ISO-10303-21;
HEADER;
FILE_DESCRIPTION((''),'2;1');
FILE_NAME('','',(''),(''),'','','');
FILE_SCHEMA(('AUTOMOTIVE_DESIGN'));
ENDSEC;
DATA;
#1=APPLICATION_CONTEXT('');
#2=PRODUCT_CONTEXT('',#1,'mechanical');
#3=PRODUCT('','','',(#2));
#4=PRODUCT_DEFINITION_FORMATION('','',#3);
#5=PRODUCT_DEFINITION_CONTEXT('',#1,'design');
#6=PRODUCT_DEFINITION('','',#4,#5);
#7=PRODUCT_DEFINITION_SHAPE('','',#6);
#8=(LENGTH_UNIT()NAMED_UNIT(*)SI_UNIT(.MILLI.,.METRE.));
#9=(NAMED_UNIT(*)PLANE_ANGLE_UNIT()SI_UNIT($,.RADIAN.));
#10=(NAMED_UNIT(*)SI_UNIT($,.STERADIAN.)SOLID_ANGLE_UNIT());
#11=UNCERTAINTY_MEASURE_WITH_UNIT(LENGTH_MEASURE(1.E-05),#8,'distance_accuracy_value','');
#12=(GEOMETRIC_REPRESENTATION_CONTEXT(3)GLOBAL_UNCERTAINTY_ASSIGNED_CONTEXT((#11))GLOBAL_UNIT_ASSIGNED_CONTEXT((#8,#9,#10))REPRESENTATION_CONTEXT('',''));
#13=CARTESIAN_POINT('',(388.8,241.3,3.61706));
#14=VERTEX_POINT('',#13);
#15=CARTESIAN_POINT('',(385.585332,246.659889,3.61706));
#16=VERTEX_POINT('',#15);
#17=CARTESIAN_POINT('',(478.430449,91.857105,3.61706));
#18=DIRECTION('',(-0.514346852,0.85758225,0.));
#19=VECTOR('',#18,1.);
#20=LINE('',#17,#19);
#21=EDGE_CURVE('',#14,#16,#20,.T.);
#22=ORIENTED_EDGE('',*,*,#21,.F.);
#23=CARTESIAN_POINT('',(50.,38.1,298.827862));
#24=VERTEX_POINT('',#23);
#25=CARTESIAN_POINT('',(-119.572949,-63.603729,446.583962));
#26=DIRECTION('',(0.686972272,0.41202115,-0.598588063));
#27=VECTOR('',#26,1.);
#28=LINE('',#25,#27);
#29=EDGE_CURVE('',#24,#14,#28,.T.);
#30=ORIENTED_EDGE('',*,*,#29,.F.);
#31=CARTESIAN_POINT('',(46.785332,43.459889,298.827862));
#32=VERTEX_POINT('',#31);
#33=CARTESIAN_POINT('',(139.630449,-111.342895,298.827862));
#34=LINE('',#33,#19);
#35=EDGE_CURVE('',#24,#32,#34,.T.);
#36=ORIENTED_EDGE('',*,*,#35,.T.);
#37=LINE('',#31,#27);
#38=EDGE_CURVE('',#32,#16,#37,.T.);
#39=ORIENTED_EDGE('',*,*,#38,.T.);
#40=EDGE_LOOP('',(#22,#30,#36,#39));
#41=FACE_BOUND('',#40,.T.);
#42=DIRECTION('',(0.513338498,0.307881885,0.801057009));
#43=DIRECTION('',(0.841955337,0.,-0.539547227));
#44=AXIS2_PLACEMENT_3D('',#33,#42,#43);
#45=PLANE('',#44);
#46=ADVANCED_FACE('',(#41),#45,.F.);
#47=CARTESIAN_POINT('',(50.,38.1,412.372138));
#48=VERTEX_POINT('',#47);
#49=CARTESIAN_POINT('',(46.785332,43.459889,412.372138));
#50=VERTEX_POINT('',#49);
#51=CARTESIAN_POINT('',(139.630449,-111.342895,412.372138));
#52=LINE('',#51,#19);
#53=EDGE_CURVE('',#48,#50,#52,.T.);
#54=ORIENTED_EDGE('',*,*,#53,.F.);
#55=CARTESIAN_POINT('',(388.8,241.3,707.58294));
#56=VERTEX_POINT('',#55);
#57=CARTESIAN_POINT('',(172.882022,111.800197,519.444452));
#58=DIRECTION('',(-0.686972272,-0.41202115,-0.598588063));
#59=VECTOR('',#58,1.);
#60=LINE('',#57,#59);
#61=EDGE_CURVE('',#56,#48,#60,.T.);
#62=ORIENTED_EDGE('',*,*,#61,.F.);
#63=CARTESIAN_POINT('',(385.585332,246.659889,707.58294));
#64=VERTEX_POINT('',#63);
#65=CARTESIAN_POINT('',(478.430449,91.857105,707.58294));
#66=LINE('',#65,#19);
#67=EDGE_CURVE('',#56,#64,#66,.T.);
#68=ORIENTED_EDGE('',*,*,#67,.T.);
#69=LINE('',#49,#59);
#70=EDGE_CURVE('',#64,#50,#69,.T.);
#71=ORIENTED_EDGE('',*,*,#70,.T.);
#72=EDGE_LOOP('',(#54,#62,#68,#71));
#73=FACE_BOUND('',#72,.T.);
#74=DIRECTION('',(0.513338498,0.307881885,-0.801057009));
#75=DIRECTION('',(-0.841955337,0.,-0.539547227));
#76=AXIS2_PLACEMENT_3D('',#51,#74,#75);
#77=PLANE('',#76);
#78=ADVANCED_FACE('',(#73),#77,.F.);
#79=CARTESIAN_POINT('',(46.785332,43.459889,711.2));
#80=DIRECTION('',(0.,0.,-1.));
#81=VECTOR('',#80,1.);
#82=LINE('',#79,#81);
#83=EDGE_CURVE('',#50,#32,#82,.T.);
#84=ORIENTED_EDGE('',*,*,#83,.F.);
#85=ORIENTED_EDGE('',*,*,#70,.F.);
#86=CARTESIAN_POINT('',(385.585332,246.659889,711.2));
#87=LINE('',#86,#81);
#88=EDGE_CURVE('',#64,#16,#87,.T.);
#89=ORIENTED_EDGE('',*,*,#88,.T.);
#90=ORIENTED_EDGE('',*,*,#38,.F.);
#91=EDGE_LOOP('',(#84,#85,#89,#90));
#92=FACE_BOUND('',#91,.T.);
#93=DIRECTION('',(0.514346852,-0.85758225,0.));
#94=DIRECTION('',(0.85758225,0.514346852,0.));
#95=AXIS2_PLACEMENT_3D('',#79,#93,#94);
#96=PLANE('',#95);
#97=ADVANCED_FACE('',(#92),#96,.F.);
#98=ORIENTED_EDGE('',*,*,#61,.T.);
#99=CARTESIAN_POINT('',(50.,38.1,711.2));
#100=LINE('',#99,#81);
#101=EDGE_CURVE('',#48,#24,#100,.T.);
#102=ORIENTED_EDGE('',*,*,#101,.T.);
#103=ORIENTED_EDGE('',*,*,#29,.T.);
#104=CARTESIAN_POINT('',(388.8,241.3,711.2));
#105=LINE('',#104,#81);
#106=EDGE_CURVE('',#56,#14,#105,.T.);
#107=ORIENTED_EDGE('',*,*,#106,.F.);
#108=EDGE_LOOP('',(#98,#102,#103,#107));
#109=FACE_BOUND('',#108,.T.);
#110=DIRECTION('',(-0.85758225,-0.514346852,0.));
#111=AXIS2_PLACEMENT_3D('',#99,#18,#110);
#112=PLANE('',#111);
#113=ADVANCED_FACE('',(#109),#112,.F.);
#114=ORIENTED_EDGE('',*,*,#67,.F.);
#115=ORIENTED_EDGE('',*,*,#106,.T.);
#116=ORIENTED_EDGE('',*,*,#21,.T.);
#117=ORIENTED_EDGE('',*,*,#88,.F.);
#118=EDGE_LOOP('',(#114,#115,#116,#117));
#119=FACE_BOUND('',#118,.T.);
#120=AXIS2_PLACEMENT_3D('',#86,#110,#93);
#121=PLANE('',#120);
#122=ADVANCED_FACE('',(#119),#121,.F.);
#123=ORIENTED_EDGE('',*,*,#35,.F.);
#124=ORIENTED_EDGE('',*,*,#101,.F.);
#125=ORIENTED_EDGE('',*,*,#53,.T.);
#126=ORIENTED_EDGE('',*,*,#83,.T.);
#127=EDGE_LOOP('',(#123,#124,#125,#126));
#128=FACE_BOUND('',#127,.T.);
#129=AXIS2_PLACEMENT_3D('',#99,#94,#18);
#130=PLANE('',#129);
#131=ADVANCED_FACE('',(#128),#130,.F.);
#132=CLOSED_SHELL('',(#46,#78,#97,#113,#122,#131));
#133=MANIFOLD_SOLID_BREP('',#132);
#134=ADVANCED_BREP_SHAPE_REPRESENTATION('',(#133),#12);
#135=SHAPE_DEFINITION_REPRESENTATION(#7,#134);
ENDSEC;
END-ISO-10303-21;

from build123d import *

# Parameters (mm, degrees)
BOSS_EXTRUDE1_DEPTH = 711.2
CUT_EXTRUDE1_DEPTH  = 848.16069371


with BuildPart() as part:
    # Sketch1 → Boss-Extrude1 (new body)
    with BuildSketch(Plane.XY):
        Polygon((50, 38.1), (46.785332178, 43.459889065), (385.585332178, 246.659889065), (388.8, 241.3), align=None)
    extrude(amount=BOSS_EXTRUDE1_DEPTH)

    # Sketch3 → Cut-Extrude1 (cut, through all)
    with BuildSketch(Plane(origin=(-6.792742869, 11.325695295, 0), x_dir=(0.8575822504737193, 0.5143468515237856, 0), z_dir=(-0.5143468515237856, 0.8575822504737193, 0))):
        Polygon((62.475727567, -412.372137739), (457.539874257, -707.582940078), (457.539874257, -711.2), (62.475727567, -711.2), align=None)
        Polygon((62.475727567, -298.827862261), (457.539874257, -3.617059922), (457.539874257, 0), (62.475727567, 0), align=None)
    extrude(amount=-CUT_EXTRUDE1_DEPTH, mode=Mode.SUBTRACT)


solid = part.part
